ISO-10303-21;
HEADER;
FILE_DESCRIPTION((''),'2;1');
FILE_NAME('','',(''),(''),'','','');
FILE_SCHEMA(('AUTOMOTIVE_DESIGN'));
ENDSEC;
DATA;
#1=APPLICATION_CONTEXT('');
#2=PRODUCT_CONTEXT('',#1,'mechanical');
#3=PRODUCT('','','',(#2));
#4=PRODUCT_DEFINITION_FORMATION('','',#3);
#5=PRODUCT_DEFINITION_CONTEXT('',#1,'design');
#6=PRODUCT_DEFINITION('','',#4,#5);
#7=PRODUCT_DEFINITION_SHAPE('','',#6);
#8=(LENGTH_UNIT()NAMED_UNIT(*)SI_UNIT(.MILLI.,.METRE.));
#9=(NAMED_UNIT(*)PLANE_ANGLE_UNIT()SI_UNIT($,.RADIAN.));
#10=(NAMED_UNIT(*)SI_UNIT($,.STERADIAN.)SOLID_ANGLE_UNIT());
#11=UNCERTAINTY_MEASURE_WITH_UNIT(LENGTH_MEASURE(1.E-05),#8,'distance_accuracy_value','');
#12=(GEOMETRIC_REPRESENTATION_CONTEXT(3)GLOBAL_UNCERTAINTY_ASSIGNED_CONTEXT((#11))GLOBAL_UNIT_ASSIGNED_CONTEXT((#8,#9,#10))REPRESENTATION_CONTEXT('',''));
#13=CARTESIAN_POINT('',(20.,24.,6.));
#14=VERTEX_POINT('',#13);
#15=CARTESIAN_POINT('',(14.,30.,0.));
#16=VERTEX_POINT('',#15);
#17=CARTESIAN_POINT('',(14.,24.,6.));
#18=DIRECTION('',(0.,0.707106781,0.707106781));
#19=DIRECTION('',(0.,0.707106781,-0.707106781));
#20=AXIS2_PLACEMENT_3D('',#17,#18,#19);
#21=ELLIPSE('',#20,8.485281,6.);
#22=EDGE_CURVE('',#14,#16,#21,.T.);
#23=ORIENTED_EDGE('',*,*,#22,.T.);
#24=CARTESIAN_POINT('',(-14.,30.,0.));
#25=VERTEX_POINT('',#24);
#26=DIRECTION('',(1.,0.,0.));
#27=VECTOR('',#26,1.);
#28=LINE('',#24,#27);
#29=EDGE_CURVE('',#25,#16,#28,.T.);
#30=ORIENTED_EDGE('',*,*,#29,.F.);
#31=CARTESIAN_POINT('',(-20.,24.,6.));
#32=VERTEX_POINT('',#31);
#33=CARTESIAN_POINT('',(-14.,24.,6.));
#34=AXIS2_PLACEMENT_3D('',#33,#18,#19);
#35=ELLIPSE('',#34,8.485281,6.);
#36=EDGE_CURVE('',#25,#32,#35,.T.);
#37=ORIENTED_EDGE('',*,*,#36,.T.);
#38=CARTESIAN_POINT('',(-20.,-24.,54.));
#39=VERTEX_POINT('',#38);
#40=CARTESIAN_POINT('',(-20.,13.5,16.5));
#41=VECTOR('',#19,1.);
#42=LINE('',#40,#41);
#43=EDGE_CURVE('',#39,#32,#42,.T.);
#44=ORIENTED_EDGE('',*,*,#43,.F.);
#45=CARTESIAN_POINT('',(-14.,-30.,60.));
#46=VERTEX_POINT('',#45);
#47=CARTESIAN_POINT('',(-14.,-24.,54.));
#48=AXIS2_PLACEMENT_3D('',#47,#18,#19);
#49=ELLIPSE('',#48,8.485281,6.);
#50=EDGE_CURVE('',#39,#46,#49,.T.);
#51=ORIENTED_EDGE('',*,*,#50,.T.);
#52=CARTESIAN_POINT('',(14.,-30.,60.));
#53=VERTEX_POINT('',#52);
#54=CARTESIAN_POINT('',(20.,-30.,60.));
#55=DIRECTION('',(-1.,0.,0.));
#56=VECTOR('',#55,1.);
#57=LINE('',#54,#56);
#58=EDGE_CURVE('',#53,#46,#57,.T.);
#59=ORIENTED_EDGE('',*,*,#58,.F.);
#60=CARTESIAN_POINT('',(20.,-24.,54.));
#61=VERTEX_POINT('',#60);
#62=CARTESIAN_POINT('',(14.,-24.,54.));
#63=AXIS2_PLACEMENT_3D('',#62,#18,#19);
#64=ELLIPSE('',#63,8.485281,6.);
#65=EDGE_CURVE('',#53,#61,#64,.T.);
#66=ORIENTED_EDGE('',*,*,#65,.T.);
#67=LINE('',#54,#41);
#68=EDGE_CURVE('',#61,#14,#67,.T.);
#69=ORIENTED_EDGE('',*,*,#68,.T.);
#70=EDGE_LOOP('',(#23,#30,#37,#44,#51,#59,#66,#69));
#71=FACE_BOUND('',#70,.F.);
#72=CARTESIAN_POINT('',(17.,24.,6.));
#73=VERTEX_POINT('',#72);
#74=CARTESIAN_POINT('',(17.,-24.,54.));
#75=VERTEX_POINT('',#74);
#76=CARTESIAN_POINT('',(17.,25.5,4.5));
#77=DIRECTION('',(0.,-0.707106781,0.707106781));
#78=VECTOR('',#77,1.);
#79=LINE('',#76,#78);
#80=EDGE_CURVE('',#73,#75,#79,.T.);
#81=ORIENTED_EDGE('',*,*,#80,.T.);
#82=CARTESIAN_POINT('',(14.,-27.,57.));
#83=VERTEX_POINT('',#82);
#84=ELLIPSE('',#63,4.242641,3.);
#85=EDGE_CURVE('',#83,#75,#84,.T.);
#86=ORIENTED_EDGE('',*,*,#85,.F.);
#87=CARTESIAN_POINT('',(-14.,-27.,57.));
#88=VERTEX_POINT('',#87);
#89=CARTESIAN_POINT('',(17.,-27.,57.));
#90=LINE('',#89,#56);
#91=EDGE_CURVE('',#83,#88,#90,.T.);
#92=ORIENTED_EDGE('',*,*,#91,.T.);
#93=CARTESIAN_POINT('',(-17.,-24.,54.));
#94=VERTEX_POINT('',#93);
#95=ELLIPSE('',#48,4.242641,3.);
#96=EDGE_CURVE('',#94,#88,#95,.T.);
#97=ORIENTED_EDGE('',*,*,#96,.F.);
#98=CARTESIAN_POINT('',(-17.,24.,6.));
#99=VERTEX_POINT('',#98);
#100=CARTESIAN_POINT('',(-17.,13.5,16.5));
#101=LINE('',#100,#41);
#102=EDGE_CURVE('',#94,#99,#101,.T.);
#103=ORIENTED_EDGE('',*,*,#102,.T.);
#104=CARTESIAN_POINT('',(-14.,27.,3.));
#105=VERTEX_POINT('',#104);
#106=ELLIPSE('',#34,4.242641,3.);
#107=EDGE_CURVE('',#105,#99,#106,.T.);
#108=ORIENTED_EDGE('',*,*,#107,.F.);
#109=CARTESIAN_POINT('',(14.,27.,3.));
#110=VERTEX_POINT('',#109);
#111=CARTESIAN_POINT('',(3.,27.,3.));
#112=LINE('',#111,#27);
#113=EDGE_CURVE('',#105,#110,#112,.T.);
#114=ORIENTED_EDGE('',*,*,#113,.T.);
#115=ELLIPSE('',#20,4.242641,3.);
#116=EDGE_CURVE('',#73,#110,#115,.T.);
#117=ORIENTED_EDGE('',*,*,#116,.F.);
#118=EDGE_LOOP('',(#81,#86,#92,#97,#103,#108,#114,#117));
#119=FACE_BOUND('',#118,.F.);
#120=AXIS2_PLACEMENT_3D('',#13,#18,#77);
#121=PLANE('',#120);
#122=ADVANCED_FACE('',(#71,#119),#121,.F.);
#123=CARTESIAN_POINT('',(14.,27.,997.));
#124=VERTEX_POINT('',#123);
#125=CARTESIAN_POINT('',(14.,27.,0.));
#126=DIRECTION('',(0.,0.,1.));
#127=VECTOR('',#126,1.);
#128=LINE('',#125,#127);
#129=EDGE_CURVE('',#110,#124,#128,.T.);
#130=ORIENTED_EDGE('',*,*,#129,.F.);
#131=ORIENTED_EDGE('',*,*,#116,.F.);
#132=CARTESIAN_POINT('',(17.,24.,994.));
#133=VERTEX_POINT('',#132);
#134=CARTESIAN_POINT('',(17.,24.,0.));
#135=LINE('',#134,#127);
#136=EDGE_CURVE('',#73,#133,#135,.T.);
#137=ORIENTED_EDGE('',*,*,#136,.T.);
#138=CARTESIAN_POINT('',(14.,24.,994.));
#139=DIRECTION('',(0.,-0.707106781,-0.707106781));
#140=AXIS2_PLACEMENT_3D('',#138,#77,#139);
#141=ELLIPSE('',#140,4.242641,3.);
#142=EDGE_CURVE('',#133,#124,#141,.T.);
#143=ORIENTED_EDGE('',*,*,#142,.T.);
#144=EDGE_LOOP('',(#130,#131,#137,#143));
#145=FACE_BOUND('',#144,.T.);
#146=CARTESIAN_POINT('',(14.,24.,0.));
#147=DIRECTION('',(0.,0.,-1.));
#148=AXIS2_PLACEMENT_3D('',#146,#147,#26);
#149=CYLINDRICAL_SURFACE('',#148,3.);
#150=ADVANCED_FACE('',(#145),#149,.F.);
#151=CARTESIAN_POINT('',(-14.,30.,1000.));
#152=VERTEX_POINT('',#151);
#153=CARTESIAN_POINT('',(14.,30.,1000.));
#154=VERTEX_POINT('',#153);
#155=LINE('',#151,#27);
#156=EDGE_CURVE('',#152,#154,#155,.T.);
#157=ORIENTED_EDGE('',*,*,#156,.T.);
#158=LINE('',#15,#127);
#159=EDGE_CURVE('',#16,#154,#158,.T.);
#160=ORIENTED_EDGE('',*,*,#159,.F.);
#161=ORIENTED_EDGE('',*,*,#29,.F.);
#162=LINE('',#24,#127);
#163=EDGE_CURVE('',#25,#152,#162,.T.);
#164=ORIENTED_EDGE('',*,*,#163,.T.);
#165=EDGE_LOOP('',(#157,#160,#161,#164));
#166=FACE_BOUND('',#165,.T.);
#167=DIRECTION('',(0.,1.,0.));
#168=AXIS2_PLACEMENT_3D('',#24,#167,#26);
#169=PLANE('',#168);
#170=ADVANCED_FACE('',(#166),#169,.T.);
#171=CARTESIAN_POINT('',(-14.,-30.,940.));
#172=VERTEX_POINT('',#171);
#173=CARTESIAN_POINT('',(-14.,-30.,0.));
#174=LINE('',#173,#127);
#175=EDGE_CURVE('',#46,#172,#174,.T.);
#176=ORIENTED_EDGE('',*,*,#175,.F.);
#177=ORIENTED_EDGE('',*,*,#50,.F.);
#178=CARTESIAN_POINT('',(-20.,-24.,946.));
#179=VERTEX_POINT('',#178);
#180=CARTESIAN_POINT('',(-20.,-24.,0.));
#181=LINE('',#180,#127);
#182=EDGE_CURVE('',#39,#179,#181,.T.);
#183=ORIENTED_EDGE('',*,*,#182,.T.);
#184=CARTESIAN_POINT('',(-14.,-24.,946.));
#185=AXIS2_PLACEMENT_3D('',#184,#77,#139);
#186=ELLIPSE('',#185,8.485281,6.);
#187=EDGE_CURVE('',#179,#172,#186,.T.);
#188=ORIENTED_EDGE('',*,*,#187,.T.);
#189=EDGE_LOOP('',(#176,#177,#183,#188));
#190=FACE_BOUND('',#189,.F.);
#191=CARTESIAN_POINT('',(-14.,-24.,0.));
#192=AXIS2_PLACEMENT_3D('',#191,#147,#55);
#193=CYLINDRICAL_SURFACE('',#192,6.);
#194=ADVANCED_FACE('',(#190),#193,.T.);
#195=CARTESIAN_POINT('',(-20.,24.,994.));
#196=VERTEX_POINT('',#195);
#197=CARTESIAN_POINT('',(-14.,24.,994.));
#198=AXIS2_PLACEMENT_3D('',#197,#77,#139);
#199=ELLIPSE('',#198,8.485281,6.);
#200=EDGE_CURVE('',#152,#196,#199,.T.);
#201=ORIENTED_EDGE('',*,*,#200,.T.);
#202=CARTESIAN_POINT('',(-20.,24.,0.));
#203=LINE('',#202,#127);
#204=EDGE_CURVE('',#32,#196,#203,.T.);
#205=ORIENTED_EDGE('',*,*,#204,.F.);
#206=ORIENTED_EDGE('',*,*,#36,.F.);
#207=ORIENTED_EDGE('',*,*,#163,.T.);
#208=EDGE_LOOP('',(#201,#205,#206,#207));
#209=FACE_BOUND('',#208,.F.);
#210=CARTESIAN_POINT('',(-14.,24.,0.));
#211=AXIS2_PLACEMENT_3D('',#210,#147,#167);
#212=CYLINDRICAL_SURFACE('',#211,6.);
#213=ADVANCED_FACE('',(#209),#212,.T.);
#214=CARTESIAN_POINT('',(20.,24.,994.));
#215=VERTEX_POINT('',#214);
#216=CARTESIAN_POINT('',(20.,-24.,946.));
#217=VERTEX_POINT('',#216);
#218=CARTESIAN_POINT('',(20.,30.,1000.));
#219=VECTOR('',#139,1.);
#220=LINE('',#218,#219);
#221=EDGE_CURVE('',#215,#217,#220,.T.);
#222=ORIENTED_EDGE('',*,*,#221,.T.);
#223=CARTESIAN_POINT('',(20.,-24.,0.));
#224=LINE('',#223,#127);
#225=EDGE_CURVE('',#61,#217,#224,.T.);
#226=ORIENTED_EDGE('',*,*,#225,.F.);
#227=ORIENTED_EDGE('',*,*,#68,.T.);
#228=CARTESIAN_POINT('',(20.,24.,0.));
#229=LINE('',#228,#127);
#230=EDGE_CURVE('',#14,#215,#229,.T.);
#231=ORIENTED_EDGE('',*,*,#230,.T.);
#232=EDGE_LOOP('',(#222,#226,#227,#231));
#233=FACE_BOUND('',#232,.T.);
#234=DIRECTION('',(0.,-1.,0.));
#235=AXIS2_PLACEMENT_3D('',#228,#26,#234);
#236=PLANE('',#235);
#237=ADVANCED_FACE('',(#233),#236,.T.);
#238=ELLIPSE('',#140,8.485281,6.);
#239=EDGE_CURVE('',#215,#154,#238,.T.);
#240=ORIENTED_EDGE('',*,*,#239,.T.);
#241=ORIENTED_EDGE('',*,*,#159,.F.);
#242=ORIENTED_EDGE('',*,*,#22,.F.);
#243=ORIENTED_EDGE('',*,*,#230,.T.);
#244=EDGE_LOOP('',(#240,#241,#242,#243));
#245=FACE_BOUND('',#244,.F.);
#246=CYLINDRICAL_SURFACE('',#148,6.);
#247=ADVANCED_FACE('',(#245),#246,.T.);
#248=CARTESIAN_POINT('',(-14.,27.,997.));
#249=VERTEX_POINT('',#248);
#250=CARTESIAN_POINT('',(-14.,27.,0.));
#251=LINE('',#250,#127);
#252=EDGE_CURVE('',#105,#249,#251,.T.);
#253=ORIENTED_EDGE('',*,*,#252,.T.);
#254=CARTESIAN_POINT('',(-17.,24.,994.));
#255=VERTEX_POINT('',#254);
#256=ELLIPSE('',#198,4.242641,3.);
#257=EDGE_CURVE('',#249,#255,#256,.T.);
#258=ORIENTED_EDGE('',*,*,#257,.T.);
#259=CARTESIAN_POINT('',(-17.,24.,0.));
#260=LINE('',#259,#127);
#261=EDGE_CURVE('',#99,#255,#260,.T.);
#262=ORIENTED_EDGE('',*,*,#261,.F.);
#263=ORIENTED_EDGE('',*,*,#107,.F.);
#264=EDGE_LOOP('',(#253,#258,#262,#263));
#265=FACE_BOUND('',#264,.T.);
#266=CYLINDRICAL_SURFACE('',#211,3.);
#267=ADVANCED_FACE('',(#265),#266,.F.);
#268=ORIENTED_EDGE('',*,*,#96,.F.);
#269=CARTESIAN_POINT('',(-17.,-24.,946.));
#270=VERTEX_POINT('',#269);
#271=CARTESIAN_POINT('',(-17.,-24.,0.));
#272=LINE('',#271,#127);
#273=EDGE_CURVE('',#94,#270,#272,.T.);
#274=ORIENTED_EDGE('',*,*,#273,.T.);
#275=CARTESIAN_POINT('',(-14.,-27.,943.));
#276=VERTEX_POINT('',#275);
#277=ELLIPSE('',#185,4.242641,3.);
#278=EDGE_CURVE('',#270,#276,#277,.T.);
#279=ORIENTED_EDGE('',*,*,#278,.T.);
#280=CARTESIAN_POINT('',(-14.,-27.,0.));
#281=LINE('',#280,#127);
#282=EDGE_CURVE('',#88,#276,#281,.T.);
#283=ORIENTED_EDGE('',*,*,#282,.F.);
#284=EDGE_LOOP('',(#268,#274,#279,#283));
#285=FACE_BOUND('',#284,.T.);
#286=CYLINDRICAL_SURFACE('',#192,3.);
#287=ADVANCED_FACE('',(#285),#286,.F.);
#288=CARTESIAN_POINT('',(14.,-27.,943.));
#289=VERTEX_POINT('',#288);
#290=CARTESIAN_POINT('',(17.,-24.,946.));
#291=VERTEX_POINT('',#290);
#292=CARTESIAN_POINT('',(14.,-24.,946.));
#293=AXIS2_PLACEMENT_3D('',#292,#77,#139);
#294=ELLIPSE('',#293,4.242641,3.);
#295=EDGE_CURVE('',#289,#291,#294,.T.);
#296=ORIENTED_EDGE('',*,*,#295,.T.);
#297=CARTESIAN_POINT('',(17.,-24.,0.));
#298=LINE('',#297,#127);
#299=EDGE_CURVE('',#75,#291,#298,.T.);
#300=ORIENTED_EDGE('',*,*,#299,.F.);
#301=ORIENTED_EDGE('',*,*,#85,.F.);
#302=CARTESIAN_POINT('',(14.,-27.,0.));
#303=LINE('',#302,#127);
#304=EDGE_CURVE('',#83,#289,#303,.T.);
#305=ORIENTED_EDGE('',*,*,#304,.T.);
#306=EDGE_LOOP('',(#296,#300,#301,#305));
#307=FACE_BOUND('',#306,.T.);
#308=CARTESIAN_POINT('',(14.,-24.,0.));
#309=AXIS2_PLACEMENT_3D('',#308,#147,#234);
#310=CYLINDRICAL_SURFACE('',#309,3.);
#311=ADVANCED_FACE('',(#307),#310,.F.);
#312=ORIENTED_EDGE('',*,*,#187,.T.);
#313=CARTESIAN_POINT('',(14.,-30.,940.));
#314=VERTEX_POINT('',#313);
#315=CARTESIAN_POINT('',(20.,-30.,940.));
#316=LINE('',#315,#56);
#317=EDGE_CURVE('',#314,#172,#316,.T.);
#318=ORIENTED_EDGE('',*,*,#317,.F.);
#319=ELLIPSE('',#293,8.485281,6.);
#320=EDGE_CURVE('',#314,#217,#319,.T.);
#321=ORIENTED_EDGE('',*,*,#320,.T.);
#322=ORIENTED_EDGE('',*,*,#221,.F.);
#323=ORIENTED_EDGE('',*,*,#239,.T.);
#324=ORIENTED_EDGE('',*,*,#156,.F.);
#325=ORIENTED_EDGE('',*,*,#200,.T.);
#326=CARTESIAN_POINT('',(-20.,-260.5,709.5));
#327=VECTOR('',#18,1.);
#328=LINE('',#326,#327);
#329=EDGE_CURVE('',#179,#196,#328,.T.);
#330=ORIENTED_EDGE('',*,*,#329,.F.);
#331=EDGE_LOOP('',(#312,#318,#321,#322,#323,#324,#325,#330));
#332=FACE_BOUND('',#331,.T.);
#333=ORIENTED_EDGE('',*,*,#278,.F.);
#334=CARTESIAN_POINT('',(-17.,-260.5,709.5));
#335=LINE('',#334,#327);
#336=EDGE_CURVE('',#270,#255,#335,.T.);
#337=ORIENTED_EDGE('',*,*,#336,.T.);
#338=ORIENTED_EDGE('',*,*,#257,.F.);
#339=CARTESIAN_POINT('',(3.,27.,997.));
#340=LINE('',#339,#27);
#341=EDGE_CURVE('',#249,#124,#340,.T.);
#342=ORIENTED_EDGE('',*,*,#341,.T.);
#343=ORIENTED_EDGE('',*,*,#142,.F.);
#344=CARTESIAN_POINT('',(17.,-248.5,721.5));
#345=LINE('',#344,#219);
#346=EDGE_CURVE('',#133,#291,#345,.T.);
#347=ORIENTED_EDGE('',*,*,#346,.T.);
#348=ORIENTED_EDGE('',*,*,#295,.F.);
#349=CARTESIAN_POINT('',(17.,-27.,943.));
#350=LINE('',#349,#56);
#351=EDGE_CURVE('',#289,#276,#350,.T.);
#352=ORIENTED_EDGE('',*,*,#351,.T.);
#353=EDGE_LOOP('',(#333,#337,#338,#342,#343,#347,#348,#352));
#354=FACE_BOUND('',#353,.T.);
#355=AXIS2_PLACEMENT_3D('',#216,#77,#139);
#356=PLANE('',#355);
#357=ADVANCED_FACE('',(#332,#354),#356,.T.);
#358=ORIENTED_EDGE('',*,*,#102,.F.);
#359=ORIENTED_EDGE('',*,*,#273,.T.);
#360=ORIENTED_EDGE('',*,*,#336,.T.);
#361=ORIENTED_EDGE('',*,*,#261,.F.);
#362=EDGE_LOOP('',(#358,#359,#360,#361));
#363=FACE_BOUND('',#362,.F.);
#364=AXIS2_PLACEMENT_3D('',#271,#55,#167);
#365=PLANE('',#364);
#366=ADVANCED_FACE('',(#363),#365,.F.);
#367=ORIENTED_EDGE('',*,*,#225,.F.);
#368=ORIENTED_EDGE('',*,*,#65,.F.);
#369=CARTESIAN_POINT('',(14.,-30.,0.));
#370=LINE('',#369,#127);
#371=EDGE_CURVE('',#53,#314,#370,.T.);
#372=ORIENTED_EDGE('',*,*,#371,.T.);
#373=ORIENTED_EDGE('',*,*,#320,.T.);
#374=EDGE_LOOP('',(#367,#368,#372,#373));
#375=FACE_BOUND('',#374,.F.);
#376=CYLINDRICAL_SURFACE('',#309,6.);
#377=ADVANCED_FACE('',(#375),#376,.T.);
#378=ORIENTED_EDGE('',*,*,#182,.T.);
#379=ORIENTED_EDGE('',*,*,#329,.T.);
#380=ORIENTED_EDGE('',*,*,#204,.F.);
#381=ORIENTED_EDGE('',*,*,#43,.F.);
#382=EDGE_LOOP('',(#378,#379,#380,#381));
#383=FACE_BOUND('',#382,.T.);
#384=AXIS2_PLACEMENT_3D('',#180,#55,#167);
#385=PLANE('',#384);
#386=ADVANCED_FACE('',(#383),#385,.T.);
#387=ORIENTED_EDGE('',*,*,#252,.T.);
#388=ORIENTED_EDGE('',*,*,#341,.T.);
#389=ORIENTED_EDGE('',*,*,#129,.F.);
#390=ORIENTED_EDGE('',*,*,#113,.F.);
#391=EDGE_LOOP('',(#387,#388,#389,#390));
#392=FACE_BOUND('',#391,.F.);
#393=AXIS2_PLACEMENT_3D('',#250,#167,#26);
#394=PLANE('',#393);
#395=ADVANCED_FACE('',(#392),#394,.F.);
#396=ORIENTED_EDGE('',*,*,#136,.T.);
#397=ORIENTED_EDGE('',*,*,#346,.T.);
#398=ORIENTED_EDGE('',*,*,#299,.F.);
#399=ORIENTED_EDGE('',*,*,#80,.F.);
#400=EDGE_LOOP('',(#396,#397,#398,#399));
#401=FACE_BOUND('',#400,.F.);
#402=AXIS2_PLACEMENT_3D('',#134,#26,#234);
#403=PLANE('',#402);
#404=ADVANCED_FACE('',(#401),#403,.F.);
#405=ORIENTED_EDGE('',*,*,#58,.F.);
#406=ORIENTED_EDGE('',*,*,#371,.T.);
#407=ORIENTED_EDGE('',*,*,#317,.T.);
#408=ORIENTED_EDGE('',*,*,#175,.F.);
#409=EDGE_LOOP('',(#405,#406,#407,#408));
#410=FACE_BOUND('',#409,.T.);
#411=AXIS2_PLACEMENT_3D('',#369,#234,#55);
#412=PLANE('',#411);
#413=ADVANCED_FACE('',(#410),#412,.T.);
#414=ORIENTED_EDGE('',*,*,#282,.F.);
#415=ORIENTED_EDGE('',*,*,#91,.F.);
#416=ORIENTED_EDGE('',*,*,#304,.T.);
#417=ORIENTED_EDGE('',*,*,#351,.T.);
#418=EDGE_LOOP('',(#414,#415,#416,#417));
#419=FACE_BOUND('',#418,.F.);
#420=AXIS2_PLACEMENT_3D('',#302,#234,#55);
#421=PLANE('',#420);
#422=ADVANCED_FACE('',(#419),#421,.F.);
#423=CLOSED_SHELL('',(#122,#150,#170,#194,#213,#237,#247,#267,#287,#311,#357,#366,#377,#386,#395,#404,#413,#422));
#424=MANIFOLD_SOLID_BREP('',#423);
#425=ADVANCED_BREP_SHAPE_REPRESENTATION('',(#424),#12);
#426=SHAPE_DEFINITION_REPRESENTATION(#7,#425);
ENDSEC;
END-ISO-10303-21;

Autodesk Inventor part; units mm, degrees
ref_plane "YZ Plane" through (0, 0, 0) normal (1, 0, 0) x (0, 1, 0)
ref_plane "Start plane" through (0, 0, 0) normal (0, 0, 1) x (1, 0, 0)
ref_plane "End plane" through (0, 0, 1000) normal (0, 0, 1) x (1, 0, 0)
sketch "Sketch" plane through (0, 0, 0) normal (0, 0, 1) x (1, 0, 0)
  line L0 (-20, -24) -> (-20, 24)
  line L1 (-14, 30) -> (14, 30)
  line L2 (20, 24) -> (20, -24)
  line L3 (14, -30) -> (-14, -30)
  arc A0 (-20, -24) -> (-14, -30) centre (-14, -24) ccw
  arc A1 (20, 24) -> (14, 30) centre (14, 24) ccw
  arc A2 (-14, 30) -> (-20, 24) centre (-14, 24) ccw
  arc A3 (14, -30) -> (20, -24) centre (14, -24) ccw
  arc A4 (-14, 27) -> (-17, 24) centre (-14, 24) ccw
  line L4 (-14, 27) -> (14, 27)
  arc A5 (17, 24) -> (14, 27) centre (14, 24) ccw
  line L5 (17, 24) -> (17, -24)
  arc A6 (14, -27) -> (17, -24) centre (14, -24) ccw
  line L6 (14, -27) -> (-14, -27)
  arc A7 (-17, -24) -> (-14, -27) centre (-14, -24) ccw
  line L7 (-17, -24) -> (-17, 24)
  line L8 (0, 37.1021) -> (0, -37.1021) construction
  line L9 (-23.1021, 0) -> (23.1021, 0) construction
  dimension "d7" = 6
  dimension "d9" = 40
  dimension "d11" = 60
  dimension "d12" = 3
  dimension "d15" = 20
  dimension "d16" = 30
extrude "Body" add sketch "Sketch" along normal up to surface (1000 mm away) from surface at 0
sketch "Sketch3" plane through (0, 0, 0) normal (0, 0, 1) x (1, 0, 0)
  line L0 (0, 0) -> (10, 0)
ref_plane "Work Plane3" through (0, 0, 0) normal (0, -1, 0) x (1, 0, 0)
sketch "Sketch5" plane through (20, -24, 1000) normal (1, 0, 0) x (0, 0, -1)
  line L0 (0, 0) -> (0, -6) projected
  line L1 (1000, -6) -> (0, -6) projected
  line L2 (1000, 0) -> (1000, -6) projected
  line L3 (1000, 0) -> (0, 0) projected
  line L4 (0, 48) -> (0, 0) projected
  line L5 (1000, 0) -> (0, 0) projected
  line L6 (1000, 48) -> (1000, 0) projected
  line L7 (1000, 48) -> (0, 48) projected
  line L8 (0, 54) -> (0, 48) projected
  line L9 (1000, 48) -> (0, 48) projected
  line L10 (1000, 54) -> (1000, 48) projected
  line L11 (1000, 54) -> (0, 54) projected
  line L12 (0, 54) -> (60, -6)
  line L13 (1000, 54) -> (940, -6)
  line L14 (1000, -6) -> (0, -6) projected
  point P0 (1000, 24)
  dimension "d19" = 45
  dimension "d20" = 45
extrude "Extrusion2" cut sketch "Sketch5" against normal through all contours L3 L12 L1 L0 | L4 L7 L12 L3 | L8 L12 L7 | L13 L7 L6 L3 | L3 L2 L1 L13 | L13 L10 L7
sketch "Sketch4" plane through (0, 0, 0) normal (0, -1, 0) x (1, 0, 0)
  line L0 (-2, 0) -> (12, 0) projected
  line L1 (-2, 1000) -> (12, 1000) projected
  dimension "d18" = 1000
equation "\"d7\" = G_IR"
equation "\"d9\" = G_W"
equation "\"d11\" = G_H"
equation "\"d12\" = G_T"
equation "\"d15\" = 0.5 * d9"
equation "\"d16\" = 0.5 * d11"
equation "\"d3\" = G_L"
equation "\"d20\" = d19"
equation "\"G_W\" = 40"
equation "\"G_H\" = 60"
equation "\"G_T\" = 3"
equation "\"G_IR\" = 6"
equation "\"G_L\" = d18"
equation "\"G_OFFSET_START\" = 0"
equation "\"G_OFFSET_END\" = 0"
properties part number "ISO 4019 - 60x40x3 - 1000" material "Steel, Mild"
